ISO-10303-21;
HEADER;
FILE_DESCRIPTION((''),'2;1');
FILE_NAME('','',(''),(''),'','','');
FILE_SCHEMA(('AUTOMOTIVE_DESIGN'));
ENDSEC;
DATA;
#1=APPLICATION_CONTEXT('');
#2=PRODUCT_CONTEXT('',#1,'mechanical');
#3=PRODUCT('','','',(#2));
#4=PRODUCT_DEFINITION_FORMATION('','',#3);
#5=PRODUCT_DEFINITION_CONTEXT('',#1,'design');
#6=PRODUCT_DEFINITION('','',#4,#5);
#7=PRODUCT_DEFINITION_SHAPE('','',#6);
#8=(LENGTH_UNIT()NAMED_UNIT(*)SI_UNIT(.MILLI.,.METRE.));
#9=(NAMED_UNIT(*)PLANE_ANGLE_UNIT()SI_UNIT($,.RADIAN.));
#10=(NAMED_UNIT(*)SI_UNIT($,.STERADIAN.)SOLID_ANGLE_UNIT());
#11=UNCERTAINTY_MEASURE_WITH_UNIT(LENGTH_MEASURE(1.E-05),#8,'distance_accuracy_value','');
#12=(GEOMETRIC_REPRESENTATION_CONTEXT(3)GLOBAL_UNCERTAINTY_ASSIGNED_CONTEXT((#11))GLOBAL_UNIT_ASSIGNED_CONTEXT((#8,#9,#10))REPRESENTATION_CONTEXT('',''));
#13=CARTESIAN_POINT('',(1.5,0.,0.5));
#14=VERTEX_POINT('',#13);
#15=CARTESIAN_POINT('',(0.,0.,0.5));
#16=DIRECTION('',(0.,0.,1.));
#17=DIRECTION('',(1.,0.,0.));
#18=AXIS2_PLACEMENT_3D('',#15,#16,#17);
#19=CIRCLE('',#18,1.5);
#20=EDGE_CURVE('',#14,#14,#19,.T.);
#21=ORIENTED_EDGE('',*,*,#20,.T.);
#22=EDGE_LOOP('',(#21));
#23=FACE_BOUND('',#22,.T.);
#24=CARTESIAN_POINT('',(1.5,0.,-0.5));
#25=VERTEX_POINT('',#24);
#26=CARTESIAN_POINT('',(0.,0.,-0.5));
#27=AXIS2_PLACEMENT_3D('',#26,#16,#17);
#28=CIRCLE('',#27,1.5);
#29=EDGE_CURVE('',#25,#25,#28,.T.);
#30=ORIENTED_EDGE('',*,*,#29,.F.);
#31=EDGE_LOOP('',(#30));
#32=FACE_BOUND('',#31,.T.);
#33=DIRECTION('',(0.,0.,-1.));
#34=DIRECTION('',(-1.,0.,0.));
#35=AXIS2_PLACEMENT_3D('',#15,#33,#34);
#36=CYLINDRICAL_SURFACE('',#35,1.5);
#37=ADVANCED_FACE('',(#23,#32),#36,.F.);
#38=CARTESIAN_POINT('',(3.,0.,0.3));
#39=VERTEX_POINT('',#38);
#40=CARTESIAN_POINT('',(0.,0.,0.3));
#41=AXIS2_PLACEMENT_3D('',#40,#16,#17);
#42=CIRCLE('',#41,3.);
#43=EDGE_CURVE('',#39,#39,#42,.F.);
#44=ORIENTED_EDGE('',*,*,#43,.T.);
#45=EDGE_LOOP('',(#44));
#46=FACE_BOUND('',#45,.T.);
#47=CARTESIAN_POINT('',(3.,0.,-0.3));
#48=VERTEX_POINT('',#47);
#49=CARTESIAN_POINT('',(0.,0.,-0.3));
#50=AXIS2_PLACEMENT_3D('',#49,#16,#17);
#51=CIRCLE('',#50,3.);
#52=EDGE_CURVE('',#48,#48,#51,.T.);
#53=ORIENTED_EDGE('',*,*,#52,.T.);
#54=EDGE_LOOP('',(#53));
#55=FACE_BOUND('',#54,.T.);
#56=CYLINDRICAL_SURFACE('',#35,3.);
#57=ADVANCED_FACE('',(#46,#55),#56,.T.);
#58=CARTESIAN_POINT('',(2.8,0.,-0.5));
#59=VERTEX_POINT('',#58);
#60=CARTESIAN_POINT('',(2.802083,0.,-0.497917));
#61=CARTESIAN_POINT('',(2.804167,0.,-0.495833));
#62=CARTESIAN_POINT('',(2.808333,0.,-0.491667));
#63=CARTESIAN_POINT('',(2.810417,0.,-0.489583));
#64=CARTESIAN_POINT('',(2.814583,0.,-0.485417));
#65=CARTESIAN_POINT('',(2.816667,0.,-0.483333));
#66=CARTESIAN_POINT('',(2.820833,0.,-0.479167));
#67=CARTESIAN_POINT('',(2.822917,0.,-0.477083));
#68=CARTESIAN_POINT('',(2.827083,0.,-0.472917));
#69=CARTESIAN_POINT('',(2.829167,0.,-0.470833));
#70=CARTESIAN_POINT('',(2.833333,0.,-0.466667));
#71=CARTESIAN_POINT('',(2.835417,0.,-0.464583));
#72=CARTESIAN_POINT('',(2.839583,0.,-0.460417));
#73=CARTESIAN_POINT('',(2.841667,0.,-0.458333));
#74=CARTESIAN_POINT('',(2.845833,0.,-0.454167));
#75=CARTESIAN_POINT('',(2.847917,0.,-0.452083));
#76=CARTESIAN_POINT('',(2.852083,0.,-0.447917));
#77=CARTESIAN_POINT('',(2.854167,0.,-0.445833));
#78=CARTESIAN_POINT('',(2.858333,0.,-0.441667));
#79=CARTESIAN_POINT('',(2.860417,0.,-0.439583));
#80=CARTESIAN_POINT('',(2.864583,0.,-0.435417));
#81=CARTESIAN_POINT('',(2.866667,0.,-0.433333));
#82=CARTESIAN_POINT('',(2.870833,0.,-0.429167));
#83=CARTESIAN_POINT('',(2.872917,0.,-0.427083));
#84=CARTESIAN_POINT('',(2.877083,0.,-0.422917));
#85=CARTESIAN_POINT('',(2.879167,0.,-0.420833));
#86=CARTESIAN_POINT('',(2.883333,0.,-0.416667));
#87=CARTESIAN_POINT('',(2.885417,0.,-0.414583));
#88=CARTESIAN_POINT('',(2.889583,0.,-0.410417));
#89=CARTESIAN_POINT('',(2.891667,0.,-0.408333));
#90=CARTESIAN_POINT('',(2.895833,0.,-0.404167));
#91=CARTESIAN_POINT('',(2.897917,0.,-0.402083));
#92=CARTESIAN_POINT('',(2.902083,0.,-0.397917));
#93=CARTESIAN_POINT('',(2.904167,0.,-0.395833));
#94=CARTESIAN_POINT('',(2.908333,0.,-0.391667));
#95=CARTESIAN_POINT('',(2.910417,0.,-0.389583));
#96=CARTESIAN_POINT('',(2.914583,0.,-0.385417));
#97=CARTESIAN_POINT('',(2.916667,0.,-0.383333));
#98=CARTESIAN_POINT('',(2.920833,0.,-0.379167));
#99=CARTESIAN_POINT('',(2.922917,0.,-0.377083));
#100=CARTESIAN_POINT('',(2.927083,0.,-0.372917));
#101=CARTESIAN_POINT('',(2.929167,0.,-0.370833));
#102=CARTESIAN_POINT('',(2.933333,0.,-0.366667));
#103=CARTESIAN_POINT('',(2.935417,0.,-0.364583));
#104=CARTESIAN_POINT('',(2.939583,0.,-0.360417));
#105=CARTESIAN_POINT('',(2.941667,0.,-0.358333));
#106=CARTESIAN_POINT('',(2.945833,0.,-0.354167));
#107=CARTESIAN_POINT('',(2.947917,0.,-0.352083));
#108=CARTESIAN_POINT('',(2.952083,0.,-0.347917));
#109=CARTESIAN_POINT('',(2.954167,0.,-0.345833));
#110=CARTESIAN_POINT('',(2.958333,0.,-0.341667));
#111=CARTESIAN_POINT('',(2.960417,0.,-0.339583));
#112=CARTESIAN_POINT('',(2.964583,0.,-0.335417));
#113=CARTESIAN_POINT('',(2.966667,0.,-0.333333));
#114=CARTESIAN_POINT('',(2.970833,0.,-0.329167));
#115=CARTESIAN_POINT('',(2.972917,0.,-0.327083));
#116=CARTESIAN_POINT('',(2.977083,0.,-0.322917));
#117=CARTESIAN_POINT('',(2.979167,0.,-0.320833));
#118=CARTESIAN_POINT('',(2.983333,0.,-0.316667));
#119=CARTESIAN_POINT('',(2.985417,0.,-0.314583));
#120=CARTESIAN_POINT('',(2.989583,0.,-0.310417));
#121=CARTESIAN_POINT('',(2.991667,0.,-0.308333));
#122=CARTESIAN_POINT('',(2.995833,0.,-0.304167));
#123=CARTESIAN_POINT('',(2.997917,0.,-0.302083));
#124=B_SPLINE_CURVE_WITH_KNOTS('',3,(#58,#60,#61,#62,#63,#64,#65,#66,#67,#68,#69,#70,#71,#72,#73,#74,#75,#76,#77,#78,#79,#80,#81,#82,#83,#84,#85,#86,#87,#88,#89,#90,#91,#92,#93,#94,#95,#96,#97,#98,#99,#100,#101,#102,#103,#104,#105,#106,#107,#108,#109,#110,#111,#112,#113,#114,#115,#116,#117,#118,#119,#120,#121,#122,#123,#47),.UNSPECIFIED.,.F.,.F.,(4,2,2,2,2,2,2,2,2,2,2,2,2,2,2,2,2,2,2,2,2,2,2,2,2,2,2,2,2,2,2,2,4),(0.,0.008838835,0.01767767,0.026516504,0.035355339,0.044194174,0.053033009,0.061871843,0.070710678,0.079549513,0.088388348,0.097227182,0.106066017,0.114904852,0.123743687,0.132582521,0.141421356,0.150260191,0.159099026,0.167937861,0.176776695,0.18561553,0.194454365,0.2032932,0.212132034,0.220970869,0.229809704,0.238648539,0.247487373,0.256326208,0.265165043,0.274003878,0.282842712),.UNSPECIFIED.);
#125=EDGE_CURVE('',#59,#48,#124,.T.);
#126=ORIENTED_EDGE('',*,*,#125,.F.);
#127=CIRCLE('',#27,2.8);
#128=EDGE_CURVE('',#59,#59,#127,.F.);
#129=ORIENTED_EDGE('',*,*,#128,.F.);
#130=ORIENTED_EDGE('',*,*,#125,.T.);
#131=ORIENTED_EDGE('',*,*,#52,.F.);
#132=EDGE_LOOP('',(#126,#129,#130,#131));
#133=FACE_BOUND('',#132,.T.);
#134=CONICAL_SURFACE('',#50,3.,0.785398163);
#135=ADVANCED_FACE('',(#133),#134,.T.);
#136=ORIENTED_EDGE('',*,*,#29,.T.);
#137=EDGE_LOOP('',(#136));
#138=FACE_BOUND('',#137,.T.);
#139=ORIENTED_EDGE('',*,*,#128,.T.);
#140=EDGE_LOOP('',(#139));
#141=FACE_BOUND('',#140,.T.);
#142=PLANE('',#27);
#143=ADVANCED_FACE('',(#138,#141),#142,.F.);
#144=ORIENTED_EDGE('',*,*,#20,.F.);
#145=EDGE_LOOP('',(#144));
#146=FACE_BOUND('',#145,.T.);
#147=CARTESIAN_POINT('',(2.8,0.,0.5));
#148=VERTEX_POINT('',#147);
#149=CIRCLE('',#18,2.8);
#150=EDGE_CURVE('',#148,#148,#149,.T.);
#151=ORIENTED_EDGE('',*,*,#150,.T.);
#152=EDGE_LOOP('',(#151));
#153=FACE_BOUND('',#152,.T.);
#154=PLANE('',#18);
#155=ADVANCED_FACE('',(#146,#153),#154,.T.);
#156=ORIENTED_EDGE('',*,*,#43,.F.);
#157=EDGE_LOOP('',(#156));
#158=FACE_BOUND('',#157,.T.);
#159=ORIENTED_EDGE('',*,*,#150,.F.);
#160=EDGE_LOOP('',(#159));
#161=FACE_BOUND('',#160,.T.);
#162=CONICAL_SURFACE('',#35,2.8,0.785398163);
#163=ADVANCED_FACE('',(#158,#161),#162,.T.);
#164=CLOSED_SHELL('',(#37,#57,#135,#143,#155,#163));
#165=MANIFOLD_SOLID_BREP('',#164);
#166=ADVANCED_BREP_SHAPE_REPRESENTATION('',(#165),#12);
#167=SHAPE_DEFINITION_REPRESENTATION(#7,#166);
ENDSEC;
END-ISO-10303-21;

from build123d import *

# Parameters (mm, degrees)
SKETCH_1_R      = 3
SKETCH_1_R_2    = 1.5
EXTRUDE_1_DEPTH = 0.5
CHAMFER_1_SIZE  = 0.2


with BuildPart() as part:
    # 草图1 → 凸台-拉伸1 (new, symmetric)
    with BuildSketch(Plane.XY):
        Circle(SKETCH_1_R)
        Circle(SKETCH_1_R_2, mode=Mode.SUBTRACT)
    extrude(amount=EXTRUDE_1_DEPTH, both=True)

    # 倒角1
    chamfer_1_edges = [part.edges().sort_by_distance(p)[0] for p in [
        (-3, 0, -0.5),
        (-3, 0, 0.5),
    ]]
    chamfer(chamfer_1_edges, length=CHAMFER_1_SIZE)


solid = part.part
